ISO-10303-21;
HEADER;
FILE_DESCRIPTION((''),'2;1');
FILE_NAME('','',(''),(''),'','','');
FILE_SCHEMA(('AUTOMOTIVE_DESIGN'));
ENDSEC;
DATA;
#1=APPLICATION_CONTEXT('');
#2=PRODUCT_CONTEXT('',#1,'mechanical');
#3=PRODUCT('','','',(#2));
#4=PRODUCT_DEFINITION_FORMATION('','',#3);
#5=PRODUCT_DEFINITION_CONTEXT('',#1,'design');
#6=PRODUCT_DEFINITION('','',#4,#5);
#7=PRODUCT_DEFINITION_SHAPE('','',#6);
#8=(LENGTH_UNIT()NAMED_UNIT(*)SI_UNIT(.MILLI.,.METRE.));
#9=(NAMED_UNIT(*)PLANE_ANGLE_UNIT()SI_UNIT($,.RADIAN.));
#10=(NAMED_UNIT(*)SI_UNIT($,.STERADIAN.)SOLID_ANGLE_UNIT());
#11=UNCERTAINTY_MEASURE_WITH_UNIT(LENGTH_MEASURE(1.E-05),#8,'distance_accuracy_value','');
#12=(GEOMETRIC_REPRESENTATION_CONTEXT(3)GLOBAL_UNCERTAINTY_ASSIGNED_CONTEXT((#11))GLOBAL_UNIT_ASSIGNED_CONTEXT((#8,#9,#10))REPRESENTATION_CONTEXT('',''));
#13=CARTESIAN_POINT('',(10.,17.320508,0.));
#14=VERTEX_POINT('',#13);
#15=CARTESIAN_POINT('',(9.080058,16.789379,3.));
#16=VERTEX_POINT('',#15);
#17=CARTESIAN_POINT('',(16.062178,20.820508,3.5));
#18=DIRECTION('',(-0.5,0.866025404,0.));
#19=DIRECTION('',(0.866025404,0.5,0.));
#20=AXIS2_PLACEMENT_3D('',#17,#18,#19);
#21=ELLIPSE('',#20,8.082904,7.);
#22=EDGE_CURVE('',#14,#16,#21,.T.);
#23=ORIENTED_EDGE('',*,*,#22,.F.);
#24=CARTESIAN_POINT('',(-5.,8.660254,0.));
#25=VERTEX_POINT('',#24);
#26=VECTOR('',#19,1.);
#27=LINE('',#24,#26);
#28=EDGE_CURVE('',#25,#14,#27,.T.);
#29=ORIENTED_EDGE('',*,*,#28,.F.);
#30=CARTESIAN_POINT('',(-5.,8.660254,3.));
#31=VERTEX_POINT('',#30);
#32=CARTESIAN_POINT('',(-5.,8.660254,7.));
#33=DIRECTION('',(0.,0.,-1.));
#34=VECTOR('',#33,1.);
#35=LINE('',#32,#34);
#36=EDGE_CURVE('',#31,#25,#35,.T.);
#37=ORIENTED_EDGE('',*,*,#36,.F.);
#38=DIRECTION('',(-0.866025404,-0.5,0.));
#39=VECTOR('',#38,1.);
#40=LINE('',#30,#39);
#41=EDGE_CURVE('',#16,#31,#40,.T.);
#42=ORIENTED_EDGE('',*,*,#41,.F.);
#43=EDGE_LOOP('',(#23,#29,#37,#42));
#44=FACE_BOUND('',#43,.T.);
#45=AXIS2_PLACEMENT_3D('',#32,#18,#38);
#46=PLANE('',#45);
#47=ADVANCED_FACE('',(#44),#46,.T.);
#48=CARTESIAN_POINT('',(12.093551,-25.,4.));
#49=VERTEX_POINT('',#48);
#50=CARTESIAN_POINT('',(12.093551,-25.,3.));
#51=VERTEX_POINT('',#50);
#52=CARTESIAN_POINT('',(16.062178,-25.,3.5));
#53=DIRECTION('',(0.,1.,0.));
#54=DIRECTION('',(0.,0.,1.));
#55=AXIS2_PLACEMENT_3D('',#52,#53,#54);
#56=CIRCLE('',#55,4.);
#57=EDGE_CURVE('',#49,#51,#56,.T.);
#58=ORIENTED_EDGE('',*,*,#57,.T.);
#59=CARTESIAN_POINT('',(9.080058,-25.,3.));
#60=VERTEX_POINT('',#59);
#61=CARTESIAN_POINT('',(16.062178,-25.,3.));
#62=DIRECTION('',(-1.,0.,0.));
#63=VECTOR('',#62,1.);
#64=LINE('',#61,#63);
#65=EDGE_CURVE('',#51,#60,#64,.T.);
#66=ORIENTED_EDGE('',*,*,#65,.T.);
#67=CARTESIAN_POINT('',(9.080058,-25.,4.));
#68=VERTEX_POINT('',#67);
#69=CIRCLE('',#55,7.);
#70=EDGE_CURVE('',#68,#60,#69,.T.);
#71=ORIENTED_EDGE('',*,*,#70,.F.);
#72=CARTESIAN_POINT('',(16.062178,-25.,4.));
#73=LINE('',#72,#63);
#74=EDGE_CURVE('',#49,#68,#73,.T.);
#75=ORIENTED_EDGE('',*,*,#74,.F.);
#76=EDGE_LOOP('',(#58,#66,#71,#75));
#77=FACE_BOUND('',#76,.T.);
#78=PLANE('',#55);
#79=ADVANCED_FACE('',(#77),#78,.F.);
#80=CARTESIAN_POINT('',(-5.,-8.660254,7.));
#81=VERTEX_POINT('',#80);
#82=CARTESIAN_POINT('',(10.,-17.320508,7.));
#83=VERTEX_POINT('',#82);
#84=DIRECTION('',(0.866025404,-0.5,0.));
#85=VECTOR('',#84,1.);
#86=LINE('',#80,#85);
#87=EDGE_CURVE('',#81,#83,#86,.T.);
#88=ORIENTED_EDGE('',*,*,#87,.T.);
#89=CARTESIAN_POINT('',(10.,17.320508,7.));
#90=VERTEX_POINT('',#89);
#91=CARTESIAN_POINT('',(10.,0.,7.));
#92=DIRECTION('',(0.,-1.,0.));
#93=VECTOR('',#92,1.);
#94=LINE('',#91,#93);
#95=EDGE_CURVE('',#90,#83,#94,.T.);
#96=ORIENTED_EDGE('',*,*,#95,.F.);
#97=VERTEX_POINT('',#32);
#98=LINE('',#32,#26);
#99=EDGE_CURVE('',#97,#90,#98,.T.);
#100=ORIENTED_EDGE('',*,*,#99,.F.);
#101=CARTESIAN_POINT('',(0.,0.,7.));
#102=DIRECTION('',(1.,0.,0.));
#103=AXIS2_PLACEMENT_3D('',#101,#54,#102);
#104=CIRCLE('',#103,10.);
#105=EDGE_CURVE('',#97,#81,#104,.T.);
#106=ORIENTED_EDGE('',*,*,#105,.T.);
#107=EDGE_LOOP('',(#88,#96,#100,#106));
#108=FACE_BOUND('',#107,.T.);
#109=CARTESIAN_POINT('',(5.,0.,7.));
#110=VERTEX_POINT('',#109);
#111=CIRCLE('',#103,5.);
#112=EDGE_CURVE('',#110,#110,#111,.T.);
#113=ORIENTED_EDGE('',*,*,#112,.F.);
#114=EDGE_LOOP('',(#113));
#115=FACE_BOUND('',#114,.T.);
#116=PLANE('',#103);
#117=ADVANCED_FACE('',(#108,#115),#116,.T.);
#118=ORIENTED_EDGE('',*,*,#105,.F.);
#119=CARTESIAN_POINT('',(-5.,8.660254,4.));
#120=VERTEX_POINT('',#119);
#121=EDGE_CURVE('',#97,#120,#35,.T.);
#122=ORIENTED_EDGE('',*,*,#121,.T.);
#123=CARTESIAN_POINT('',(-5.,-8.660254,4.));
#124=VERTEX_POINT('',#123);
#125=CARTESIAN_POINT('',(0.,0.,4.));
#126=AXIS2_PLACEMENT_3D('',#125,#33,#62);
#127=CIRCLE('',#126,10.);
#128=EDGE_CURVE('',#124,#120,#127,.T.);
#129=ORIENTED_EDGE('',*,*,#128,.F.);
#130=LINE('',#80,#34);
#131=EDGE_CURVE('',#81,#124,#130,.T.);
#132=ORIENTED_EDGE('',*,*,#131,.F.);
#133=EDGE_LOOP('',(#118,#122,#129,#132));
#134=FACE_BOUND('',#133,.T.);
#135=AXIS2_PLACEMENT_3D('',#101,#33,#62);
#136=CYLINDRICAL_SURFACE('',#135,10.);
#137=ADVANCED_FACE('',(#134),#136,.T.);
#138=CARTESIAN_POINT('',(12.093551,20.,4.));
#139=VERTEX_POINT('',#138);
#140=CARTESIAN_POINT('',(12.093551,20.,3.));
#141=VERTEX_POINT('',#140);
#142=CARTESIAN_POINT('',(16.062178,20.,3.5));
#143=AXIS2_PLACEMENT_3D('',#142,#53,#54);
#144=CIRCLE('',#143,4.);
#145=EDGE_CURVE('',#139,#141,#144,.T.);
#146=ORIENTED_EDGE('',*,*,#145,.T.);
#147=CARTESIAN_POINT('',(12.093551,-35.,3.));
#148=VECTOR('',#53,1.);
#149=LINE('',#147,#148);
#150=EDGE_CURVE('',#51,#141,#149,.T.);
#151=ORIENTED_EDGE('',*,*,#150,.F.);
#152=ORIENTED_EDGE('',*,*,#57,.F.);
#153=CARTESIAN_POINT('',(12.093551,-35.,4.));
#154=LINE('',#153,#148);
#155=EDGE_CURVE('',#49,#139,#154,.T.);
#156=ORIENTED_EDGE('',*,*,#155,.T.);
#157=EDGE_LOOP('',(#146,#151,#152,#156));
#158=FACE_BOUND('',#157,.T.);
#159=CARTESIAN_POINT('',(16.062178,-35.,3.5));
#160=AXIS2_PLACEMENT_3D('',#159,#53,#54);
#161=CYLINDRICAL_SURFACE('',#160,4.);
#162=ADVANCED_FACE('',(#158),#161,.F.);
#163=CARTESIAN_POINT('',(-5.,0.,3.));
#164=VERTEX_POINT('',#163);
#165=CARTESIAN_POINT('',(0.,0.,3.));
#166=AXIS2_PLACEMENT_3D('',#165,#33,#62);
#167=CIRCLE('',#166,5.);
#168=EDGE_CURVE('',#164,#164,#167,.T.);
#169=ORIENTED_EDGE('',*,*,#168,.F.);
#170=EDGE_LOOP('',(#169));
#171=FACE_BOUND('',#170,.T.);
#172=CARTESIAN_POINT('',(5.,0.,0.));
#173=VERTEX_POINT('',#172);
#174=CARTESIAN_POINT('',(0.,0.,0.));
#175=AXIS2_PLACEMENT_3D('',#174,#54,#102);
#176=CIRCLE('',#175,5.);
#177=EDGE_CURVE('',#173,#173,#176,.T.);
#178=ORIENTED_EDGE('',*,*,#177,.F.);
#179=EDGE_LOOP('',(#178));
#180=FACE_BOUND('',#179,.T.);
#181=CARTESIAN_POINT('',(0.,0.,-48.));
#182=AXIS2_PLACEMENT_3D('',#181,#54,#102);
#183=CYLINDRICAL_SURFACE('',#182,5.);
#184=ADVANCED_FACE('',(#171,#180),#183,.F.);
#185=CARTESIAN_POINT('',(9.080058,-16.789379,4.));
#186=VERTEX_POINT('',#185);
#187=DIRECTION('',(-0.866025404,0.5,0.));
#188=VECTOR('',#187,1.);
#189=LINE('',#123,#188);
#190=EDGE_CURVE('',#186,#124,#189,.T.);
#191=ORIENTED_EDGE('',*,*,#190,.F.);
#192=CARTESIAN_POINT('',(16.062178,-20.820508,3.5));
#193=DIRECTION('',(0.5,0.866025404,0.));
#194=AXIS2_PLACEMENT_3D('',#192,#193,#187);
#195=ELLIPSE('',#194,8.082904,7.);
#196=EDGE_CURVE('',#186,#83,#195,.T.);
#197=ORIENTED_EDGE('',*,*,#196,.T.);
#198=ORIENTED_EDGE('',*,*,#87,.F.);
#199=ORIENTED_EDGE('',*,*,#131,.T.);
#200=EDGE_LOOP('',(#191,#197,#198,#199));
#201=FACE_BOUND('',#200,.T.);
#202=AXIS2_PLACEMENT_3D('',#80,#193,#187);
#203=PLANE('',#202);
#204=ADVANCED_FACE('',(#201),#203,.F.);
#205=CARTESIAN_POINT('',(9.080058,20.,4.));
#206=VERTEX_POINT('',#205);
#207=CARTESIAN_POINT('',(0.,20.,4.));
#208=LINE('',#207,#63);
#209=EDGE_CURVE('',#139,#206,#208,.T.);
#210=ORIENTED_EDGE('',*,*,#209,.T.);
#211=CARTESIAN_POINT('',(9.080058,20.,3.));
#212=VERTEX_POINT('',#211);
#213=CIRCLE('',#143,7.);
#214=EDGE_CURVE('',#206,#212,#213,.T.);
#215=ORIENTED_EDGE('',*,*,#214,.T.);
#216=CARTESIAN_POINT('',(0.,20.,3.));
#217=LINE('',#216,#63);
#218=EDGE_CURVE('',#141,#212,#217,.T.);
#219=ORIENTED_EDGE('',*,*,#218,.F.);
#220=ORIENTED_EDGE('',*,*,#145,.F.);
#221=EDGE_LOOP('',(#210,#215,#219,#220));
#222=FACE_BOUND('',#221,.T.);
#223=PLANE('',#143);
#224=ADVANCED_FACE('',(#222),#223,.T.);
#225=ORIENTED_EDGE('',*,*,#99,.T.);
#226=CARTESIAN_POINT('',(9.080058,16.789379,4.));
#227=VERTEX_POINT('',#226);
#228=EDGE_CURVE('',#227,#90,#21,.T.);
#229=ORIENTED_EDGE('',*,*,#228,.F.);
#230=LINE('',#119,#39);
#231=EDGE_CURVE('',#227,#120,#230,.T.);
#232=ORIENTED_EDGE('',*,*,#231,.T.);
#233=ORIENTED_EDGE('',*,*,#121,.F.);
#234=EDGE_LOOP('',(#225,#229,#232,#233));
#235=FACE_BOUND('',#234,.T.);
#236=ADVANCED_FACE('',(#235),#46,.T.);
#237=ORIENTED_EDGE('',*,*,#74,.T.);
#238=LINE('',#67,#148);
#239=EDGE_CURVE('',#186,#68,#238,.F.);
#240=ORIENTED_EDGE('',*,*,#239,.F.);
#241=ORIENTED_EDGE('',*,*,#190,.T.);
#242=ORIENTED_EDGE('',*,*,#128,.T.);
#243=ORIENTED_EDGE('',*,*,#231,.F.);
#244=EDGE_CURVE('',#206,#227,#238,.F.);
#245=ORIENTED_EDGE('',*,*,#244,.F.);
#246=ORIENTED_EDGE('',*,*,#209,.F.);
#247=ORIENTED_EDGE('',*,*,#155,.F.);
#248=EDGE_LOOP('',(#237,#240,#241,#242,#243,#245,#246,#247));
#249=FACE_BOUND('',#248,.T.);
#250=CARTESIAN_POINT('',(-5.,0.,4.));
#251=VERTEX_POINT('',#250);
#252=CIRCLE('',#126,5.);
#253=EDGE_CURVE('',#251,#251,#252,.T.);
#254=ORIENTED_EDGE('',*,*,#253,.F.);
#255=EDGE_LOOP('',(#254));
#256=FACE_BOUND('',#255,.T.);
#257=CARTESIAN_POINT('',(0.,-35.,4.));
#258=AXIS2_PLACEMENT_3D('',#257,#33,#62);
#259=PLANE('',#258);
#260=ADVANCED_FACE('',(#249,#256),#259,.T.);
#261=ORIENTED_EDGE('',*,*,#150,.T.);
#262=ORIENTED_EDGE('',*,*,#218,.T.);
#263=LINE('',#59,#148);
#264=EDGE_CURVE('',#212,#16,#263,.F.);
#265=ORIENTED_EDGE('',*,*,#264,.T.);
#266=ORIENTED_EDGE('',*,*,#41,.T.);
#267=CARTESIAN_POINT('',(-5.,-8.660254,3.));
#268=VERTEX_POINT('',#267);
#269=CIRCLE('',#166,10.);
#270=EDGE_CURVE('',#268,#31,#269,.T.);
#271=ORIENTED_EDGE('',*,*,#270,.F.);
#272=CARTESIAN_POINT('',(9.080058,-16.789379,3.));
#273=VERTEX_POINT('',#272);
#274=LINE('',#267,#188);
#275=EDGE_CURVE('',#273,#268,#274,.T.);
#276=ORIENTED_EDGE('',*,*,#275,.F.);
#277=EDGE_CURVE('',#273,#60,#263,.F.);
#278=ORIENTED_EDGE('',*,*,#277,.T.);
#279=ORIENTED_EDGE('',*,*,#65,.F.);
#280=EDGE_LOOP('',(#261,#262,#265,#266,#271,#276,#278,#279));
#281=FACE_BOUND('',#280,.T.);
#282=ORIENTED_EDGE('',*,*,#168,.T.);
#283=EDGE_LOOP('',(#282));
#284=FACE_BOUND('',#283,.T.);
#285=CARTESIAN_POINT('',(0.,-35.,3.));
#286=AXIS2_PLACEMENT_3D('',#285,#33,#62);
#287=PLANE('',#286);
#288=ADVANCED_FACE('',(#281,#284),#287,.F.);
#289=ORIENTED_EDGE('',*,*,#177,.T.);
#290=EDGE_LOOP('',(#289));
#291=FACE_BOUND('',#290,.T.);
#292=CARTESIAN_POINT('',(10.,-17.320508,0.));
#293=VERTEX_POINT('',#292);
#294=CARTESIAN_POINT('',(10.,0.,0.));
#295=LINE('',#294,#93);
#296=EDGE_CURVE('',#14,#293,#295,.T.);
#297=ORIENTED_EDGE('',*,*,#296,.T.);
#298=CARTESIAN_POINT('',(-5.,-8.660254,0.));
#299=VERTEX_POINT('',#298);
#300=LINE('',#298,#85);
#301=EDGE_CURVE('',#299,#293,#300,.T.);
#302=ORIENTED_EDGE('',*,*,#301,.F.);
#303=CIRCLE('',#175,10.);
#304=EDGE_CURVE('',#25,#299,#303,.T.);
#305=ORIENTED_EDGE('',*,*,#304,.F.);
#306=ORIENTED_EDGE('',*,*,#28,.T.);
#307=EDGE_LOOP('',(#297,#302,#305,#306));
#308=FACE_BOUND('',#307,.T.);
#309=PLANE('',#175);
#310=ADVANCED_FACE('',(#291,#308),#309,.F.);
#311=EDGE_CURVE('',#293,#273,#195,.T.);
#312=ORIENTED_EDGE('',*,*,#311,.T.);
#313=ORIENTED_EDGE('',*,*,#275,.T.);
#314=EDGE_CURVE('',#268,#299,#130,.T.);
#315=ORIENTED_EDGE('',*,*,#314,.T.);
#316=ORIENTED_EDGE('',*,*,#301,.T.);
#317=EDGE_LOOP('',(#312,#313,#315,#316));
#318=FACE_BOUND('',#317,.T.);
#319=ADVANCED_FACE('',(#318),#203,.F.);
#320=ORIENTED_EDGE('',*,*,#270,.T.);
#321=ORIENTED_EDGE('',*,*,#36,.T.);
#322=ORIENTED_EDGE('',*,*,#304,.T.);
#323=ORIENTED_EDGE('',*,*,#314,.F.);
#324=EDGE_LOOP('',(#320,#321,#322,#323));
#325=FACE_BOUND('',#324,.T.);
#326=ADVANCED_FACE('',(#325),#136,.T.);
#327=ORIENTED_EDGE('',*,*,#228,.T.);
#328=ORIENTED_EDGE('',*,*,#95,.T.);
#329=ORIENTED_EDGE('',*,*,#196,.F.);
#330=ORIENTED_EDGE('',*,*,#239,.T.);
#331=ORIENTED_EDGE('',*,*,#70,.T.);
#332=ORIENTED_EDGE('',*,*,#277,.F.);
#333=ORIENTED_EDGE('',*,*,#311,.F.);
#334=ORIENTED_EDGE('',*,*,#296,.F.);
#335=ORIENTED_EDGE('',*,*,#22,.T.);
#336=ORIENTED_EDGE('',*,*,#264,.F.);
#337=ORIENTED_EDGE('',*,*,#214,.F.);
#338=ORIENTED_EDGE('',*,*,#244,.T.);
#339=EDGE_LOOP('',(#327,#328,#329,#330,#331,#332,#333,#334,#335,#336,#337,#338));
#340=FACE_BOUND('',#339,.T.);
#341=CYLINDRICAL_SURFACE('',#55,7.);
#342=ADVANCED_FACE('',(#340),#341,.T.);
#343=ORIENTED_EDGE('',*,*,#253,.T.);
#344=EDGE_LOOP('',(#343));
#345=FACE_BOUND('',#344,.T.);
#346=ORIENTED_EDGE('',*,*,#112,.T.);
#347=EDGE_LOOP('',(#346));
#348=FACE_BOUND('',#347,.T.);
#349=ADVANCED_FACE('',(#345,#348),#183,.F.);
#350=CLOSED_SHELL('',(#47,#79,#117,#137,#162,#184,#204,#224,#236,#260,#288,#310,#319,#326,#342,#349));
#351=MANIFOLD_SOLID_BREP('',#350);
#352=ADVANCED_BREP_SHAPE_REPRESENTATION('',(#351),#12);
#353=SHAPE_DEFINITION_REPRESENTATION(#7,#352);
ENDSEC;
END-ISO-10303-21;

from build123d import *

# Parameters (mm, degrees)
SKETCH_1_R           = 10
EXTRUDE_1_DEPTH      = 7
EXTRUDE_2_DEPTH      = 20
EXTRUDE_2_DEPTH_BACK = 25
SKETCH_2_R           = 7
SKETCH_3_R           = 4
SKETCH_3_W           = 26.062177826
SKETCH_3_H           = 1
CUT_EXTRUDE_1_DEPTH  = 55
SKETCH_4_R           = 5
CUT_EXTRUDE_2_DEPTH  = 55


with BuildPart() as part:
    # Эскиз1 → Бобышка-Вытянуть1 (new body)
    with BuildSketch(Plane.XY):
        Circle(SKETCH_1_R)
        with BuildLine():
            Line((10, -17.320508076), (10, 0))
            ThreePointArc((10, 0), (5, -8.660254038), (-5, -8.660254038))
            Line((-5, -8.660254038), (10, -17.320508076))
        make_face()
        with BuildLine():
            Line((10, 17.320508076), (-5, 8.660254038))
            ThreePointArc((-5, 8.660254038), (5, 8.660254038), (10, 0))
            Line((10, 0), (10, 17.320508076))
        make_face()
    extrude(amount=EXTRUDE_1_DEPTH)

    # Эскиз2 → Бобышка-Вытянуть2 (add, two sides: drawn at the far end of the back side and taken through both)
    with BuildSketch(Plane(origin=(0, 0, 0), x_dir=(1, 0, 0), z_dir=(0, 1, 0)).offset(-EXTRUDE_2_DEPTH_BACK)):
        with Locations(Location((16.062177826, -3.5, 0), (0, 0, 270))):
            Circle(SKETCH_2_R)
    extrude(amount=EXTRUDE_2_DEPTH + EXTRUDE_2_DEPTH_BACK)

    # Эскиз3 → Вырез-Вытянуть1 (cut)
    with BuildSketch(Plane(origin=(0, 20, 0), x_dir=(1, 0, 0), z_dir=(0, 1, 0))):
        with Locations((16.062177826, -3.5)):
            Circle(SKETCH_3_R)
        with Locations((3.031088913, -3.5)):
            Rectangle(SKETCH_3_W, SKETCH_3_H)
    extrude(amount=-CUT_EXTRUDE_1_DEPTH, mode=Mode.SUBTRACT)

    # Эскиз4 → Вырез-Вытянуть2 (cut)
    with BuildSketch(Plane.XY.offset(7)):
        Circle(SKETCH_4_R)
    extrude(amount=-CUT_EXTRUDE_2_DEPTH, mode=Mode.SUBTRACT)


solid = part.part
